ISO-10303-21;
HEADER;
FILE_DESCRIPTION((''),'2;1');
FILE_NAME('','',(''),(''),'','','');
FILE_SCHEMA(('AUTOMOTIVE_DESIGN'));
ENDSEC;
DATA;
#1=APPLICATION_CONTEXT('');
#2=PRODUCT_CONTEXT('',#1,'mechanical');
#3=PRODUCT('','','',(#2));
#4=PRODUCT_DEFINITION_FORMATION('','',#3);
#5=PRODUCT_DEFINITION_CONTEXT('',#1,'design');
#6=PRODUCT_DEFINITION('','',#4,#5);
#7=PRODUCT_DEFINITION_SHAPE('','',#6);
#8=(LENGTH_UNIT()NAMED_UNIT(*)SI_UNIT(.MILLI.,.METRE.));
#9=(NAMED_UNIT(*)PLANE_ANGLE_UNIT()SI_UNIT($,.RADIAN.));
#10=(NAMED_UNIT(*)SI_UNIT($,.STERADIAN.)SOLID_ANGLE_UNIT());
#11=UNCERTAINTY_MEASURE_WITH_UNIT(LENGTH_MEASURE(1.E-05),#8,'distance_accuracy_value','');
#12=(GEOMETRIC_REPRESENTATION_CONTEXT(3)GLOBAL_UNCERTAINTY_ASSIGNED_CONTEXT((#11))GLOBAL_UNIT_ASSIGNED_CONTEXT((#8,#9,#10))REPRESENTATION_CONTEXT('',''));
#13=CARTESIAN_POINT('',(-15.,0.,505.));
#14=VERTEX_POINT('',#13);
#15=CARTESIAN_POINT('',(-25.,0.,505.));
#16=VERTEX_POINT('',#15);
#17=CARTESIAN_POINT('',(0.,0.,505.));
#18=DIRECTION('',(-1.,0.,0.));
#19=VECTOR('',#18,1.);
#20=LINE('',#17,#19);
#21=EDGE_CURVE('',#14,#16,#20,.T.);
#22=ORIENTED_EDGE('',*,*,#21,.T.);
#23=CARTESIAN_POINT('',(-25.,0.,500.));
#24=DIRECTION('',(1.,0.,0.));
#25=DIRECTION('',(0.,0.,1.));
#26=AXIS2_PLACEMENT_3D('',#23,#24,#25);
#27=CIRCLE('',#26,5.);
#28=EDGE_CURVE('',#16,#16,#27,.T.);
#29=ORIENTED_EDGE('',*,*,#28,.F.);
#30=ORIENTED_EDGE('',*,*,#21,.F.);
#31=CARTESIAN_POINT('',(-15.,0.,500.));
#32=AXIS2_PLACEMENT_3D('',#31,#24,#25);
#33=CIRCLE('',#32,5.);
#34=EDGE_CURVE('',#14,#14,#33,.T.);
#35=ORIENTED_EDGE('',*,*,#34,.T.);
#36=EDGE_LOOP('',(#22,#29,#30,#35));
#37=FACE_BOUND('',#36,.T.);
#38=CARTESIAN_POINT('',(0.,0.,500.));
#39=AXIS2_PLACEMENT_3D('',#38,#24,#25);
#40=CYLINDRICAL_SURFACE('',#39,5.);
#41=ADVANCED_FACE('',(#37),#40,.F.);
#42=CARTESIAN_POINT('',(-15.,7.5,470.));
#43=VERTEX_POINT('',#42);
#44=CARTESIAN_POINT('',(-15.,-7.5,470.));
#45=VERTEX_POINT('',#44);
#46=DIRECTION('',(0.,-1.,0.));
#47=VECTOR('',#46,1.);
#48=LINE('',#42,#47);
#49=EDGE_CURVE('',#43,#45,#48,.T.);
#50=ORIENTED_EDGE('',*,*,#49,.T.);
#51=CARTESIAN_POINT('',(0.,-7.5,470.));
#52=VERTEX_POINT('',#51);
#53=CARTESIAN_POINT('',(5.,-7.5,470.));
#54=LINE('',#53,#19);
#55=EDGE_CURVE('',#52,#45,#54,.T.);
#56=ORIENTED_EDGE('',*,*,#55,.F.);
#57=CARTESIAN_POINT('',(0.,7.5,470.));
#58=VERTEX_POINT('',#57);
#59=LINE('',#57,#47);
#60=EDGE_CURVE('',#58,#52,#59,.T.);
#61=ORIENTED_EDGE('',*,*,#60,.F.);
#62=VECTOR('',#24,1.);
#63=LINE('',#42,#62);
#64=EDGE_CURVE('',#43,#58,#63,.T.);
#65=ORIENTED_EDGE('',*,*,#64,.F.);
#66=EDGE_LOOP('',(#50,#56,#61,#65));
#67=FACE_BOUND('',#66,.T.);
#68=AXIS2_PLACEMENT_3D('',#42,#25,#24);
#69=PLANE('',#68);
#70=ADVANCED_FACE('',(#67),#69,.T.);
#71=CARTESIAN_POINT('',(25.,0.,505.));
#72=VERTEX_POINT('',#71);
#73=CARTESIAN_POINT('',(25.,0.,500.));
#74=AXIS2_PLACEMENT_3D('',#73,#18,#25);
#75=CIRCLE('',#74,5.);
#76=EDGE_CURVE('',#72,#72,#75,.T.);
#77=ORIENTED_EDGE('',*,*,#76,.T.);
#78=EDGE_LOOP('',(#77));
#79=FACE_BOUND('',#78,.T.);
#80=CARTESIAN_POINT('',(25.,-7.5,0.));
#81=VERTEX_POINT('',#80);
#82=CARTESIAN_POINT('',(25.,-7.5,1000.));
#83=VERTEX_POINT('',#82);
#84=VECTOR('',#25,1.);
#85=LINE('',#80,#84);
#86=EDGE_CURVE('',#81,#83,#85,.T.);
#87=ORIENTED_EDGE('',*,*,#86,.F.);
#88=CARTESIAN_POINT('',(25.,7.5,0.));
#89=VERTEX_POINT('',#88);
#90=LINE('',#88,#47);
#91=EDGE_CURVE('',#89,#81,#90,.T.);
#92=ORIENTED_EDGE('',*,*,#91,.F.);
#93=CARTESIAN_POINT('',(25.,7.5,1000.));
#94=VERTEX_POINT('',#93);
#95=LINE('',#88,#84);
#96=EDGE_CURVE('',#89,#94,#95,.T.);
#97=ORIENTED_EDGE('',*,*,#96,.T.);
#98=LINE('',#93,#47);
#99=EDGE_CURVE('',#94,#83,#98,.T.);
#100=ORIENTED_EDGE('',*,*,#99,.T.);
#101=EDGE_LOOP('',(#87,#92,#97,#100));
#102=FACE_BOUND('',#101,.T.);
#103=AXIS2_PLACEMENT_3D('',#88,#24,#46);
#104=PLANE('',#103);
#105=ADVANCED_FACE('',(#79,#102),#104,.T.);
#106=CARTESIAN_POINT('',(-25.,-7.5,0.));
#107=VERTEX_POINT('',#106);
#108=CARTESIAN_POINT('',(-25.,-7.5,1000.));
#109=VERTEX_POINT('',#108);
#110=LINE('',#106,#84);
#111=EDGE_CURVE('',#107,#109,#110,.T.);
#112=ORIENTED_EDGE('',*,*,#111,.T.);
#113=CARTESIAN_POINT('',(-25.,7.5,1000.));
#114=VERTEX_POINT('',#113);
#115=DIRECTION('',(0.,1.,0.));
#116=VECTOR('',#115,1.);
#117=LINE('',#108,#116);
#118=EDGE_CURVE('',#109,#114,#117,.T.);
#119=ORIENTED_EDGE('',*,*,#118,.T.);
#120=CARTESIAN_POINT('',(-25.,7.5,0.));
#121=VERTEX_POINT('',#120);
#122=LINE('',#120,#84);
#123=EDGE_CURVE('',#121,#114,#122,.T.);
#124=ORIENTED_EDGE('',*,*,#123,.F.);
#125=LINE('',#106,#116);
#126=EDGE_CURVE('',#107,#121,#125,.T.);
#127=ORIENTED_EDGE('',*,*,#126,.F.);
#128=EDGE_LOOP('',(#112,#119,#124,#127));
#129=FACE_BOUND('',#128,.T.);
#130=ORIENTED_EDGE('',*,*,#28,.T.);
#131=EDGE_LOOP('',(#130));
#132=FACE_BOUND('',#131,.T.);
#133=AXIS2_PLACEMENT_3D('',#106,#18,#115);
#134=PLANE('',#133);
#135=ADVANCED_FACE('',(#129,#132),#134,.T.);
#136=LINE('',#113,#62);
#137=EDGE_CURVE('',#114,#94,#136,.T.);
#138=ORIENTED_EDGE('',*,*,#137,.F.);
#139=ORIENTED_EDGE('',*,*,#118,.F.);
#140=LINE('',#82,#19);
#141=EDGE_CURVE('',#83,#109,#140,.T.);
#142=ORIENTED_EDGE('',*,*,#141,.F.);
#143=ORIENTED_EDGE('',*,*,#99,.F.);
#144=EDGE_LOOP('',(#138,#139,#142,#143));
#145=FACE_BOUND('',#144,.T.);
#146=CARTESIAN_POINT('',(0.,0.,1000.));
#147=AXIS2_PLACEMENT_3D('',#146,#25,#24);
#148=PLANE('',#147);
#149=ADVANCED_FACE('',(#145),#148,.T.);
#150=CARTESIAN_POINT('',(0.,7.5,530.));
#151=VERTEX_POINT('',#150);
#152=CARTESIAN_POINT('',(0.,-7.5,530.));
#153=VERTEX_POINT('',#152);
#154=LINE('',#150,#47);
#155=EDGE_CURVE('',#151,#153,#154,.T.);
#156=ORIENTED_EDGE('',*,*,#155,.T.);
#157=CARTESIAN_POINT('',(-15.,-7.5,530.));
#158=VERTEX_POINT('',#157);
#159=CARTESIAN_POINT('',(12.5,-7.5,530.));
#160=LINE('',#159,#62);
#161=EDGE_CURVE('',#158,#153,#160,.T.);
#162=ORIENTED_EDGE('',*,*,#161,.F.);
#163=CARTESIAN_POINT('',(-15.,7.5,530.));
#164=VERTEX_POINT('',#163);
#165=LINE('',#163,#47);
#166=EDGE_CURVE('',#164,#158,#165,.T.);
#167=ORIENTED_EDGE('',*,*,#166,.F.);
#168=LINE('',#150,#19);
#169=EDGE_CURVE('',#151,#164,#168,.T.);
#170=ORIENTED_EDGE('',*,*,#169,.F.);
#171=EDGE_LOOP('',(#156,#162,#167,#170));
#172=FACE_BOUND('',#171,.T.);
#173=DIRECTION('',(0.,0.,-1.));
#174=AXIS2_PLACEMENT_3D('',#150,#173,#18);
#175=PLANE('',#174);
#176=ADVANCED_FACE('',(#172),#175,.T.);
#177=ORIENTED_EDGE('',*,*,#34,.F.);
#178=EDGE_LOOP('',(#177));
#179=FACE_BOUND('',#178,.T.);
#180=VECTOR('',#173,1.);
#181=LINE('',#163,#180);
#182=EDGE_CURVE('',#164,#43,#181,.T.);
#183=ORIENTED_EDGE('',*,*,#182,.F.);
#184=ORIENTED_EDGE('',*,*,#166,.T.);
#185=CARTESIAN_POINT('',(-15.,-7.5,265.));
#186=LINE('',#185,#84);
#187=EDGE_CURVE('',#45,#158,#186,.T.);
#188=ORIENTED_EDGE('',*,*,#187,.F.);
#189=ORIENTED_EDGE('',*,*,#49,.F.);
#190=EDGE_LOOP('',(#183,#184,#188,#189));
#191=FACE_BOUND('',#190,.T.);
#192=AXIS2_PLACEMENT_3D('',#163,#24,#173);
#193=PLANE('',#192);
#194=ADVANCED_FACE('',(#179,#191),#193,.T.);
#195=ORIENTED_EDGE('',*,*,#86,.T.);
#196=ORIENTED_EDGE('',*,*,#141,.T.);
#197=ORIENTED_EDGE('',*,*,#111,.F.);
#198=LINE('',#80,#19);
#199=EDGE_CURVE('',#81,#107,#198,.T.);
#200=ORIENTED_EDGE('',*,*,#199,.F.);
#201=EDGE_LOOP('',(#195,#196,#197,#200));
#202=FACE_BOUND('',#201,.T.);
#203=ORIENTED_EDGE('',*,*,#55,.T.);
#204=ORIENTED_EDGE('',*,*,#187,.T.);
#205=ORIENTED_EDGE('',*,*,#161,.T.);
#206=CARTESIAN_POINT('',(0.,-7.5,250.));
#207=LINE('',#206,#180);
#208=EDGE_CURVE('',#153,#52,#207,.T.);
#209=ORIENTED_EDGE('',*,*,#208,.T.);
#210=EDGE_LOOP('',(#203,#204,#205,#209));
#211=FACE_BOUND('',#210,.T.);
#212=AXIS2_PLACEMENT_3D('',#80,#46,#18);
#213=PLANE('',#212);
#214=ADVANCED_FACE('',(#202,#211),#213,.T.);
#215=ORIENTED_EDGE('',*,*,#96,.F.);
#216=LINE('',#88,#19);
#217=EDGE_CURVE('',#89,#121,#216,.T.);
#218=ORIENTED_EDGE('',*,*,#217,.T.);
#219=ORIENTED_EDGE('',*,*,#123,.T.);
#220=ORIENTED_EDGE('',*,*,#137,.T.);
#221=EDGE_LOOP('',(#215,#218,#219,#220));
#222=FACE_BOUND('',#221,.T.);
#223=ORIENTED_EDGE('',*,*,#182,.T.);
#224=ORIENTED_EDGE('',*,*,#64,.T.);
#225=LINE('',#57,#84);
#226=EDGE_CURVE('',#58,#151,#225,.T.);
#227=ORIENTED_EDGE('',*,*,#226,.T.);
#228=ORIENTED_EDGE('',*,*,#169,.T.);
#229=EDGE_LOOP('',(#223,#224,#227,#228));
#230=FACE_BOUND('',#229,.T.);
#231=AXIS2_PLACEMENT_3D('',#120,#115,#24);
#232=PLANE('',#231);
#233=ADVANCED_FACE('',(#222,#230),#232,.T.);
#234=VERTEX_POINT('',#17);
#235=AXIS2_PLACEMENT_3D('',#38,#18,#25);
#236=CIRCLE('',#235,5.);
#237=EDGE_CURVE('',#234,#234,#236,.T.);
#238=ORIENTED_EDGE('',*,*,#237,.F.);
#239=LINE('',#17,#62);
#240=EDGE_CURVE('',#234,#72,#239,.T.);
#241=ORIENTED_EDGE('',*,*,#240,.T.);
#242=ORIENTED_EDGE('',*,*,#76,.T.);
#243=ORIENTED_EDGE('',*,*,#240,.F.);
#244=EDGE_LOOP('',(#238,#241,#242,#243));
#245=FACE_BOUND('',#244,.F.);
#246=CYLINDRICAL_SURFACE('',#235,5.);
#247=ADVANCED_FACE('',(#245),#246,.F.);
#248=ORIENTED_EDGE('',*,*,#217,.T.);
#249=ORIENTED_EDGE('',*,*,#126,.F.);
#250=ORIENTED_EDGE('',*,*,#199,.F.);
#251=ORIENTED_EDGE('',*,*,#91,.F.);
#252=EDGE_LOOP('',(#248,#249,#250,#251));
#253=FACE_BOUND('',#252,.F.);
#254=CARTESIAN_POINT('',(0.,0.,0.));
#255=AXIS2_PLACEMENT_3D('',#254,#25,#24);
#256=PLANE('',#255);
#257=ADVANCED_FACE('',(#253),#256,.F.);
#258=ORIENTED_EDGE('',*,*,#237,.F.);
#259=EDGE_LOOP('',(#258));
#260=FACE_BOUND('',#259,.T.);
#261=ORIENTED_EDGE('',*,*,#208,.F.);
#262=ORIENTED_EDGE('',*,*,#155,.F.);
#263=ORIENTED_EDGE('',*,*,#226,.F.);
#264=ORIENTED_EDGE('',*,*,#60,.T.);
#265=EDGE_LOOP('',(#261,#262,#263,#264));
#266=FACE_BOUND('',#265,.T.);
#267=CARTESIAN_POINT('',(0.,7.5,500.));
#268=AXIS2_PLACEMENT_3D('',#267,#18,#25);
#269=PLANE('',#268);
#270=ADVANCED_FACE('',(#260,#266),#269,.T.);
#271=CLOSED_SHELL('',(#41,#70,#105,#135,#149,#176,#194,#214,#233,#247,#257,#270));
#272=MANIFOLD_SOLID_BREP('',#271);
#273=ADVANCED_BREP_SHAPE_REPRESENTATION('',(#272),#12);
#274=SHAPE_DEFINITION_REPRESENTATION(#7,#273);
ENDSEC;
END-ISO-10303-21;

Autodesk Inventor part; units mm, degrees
ref_plane "YZ Plane" through (0, 0, 0) normal (1, 0, 0) x (0, 1, 0)
ref_plane "XZ Plane" through (0, 0, 0) normal (0, 1, 0) x (-1, 0, 0)
ref_plane "XY Plane" through (0, 0, 0) normal (0, 0, 1) x (1, 0, 0)
sketch "Sketch1" plane through (0, 0, 0) normal (0, 0, 1) x (1, 0, 0)
  line L0 (-25, 7.5) -> (25, 7.5)
  line L1 (25, 7.5) -> (25, -7.5)
  line L2 (25, -7.5) -> (-25, -7.5)
  line L3 (-25, -7.5) -> (-25, 7.5)
  line L4 (0, 0) -> (0, 14.2686)
  line L5 (0, 0) -> (7.5147, 0)
  dimension "d2" = 50
  dimension "d3" = 15
extrude "Extrusion1" add sketch "Sketch1" along normal blind 1000
sketch "Sketch4" plane through (-25, 7.5, 0) normal (0, 1, 0) x (1, 0, 0)
  line L0 (25, 0) -> (25, -1000)
  line L1 (0, -1000) -> (50, -1000) projected
  line L2 (0, 0) -> (0, -1000) projected
  line L3 (0, -500) -> (50, -500)
  line L4 (50, 0) -> (50, -1000) projected
  line L5 (25, -530) -> (10, -530)
  line L6 (10, -530) -> (10, -470)
  line L7 (10, -470) -> (25, -470)
  line L8 (25, -470) -> (25, -530)
  dimension "d14" = 15
  dimension "d15" = 60
extrude "Extrusion4" cut sketch "Sketch4" against normal through all contours L5 L6 L3 L0 | L3 L6 L7 L0
sketch "Sketch5" plane through (0, 7.5, 470) normal (-1, 0, 0) x (0, 0, 1)
  line L0 (0, 0) -> (60, 0) projected
  line L1 (30, 0) -> (30, -15)
  line L2 (60, -15) -> (0, -15) projected
  line L3 (60, 0) -> (60, -15) projected
  line L4 (60, -7.5) -> (0, -7.5)
  line L5 (0, 0) -> (0, -15) projected
  circle A0 centre (30, -7.5) radius 5
  point P0 (-470, -7.5)
  dimension "d18" = 10
extrude "Extrusion5" cut sketch "Sketch5" along normal through all both and the other way through all contours A0 L4 L1 | L1 L4 A0 | L4 L1 A0 | L4 A0 L1
properties part number "Layer"
